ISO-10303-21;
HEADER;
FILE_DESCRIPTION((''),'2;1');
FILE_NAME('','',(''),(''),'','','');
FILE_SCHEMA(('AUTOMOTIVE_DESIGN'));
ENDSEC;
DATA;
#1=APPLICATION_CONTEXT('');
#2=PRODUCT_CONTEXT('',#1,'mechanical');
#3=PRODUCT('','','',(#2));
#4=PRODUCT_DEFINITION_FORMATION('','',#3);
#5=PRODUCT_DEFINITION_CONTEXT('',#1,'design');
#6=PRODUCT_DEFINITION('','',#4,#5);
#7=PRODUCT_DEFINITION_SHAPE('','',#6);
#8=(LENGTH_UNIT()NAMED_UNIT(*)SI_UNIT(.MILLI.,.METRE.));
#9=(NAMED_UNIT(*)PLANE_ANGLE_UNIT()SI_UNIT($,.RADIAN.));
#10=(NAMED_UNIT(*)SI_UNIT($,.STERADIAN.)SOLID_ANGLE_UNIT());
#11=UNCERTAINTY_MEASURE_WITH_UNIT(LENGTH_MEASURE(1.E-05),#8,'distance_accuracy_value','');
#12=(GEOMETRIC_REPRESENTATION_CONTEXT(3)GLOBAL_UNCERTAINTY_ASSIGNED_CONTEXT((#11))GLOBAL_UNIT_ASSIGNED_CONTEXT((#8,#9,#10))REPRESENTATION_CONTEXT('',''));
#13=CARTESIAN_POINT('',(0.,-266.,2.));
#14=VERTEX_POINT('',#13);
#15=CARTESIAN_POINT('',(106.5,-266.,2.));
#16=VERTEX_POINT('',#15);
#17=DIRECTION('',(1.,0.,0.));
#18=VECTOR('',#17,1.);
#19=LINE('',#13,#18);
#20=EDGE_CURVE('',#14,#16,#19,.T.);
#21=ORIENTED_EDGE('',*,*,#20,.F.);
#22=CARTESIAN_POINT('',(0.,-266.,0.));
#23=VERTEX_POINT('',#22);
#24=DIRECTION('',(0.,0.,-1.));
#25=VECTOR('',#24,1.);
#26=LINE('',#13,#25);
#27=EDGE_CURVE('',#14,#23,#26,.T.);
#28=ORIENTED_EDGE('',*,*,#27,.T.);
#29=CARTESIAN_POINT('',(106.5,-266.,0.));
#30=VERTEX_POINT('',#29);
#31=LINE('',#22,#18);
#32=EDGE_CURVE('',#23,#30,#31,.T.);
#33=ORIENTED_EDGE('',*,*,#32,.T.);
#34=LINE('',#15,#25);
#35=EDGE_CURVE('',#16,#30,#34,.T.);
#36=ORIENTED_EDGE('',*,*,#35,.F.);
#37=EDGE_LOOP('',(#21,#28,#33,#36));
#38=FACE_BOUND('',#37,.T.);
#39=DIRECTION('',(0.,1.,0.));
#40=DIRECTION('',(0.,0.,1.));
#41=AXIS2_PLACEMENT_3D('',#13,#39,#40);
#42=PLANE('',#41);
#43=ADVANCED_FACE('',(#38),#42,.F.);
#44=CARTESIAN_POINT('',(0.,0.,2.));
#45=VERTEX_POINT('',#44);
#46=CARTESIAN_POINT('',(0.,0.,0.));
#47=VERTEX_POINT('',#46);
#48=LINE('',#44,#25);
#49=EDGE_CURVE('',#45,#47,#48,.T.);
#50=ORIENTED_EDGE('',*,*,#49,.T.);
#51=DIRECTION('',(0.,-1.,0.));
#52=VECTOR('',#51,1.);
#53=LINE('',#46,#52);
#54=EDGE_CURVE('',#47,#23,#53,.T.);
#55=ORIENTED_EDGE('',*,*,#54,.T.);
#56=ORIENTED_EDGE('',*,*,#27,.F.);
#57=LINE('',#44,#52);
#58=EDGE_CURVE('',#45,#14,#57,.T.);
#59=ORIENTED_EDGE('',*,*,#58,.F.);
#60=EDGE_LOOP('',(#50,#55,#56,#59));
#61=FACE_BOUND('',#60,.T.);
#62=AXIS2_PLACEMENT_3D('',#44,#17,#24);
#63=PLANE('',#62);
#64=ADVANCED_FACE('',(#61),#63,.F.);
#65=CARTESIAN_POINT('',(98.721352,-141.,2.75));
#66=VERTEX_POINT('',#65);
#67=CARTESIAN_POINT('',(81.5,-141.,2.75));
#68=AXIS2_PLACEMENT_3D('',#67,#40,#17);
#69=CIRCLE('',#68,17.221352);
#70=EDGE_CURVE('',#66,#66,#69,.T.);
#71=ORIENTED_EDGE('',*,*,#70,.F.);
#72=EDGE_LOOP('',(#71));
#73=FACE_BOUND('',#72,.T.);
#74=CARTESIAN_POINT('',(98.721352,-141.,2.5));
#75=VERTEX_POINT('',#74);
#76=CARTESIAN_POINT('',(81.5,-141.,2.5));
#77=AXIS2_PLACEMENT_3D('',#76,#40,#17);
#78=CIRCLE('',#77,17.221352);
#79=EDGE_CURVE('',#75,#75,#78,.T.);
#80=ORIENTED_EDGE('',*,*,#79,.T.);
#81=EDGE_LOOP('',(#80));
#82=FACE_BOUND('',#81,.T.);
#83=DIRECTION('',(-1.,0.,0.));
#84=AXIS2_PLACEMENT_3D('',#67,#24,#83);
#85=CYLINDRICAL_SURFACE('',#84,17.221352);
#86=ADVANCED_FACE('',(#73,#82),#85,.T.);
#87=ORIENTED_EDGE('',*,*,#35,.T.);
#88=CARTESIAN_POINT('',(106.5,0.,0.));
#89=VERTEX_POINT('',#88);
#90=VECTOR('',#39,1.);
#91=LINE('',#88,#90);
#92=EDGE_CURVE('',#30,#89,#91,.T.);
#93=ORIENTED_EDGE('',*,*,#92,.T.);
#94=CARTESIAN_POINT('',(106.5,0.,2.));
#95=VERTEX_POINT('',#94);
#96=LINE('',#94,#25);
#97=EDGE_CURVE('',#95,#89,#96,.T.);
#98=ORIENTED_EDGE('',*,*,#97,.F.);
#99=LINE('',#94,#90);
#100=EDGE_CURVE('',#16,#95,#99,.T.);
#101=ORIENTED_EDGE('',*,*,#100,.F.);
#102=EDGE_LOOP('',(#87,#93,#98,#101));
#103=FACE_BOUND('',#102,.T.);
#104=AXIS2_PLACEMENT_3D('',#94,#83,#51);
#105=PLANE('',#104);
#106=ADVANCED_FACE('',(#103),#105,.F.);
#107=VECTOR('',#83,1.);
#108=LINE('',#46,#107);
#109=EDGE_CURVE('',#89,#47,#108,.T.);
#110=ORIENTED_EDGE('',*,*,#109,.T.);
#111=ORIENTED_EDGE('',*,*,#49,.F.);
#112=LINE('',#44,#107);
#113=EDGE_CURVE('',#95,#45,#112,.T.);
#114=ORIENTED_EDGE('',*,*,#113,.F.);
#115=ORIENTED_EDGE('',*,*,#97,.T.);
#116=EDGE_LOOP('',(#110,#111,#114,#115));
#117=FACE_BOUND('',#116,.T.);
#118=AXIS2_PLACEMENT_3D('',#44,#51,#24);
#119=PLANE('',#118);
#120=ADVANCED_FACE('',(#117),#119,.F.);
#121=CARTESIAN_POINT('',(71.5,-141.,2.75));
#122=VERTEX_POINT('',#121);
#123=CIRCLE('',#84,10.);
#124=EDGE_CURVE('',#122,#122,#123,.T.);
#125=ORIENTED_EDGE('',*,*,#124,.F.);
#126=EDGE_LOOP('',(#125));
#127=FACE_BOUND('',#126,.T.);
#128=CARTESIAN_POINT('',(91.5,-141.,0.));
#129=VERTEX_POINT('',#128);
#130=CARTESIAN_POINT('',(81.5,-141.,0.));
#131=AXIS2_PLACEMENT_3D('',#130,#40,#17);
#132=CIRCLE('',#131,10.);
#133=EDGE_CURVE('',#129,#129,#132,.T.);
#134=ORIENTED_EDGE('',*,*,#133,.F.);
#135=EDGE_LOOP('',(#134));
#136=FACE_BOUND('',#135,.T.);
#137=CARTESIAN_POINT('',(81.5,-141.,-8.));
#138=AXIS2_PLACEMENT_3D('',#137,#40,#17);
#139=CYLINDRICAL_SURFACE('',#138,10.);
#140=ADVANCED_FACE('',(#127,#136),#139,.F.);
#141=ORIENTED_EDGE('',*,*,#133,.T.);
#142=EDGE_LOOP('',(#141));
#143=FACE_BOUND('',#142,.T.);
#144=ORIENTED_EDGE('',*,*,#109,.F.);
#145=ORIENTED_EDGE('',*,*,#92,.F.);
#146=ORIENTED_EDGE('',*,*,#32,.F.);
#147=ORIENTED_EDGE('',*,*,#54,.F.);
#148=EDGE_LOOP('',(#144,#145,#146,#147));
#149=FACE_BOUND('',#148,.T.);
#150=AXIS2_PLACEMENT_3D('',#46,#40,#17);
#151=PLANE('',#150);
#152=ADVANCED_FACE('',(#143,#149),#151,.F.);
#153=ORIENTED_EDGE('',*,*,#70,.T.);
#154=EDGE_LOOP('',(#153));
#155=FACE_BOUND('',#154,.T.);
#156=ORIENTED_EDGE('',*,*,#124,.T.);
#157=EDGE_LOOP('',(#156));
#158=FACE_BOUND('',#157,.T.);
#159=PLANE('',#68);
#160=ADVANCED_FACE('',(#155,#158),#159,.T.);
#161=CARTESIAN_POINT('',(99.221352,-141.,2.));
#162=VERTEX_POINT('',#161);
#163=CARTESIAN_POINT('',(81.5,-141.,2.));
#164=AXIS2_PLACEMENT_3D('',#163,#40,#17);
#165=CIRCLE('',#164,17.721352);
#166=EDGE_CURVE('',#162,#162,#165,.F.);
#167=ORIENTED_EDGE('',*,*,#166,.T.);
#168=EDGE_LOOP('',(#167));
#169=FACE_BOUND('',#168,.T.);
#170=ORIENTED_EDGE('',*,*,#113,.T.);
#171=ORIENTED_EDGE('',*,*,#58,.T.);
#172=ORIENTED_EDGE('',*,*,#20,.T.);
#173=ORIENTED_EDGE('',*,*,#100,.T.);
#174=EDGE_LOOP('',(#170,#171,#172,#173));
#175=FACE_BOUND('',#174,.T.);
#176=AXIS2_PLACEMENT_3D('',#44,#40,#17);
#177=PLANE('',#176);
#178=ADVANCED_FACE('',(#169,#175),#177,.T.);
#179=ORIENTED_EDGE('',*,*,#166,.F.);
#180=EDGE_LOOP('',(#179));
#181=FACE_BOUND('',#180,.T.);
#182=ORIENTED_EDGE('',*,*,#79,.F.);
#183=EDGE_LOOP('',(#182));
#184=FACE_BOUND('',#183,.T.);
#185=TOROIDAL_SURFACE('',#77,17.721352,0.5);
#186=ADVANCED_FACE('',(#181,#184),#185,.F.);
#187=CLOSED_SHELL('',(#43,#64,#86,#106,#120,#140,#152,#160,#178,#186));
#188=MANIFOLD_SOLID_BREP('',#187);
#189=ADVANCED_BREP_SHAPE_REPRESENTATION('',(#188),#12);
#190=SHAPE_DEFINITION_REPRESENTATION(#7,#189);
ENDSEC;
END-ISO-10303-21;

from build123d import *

# Parameters (mm, degrees)
SKETCH1_W           = 106.5
SKETCH1_H           = 266
BOSS_EXTRUDE1_DEPTH = 2
SKETCH2_R           = 10
CUT_EXTRUDE1_DEPTH  = 10
SKETCH5_R           = 17.221351736
BOSS_EXTRUDE3_DEPTH = 0.75
FILLET2_R           = 0.5
CUT_EXTRUDE3_START  = -0.75
SKETCH6_R           = 10
CUT_EXTRUDE3_DEPTH  = 0.75


with BuildPart() as part:
    # Sketch1 → Boss-Extrude1 (new body)
    with BuildSketch(Plane.XY):
        with Locations((53.25, -133)):
            Rectangle(SKETCH1_W, SKETCH1_H)
    extrude(amount=BOSS_EXTRUDE1_DEPTH)

    # Sketch2 → Cut-Extrude1 (cut)
    with BuildSketch(Plane.XY.offset(2)):
        with Locations((81.5, -141)):
            Circle(SKETCH2_R)
    extrude(amount=-CUT_EXTRUDE1_DEPTH, mode=Mode.SUBTRACT)

    # Sketch5 → Boss-Extrude3 (add)
    with BuildSketch(Plane.XY.offset(2)):
        with Locations((81.5, -141)):
            Circle(SKETCH5_R)
    extrude(amount=BOSS_EXTRUDE3_DEPTH)

    # Fillet2
    fillet2_edges = [part.edges().sort_by_distance(p)[0] for p in [
        (64.278648264, -141, 2),
    ]]
    fillet(fillet2_edges, radius=FILLET2_R)

    # Sketch6 → Cut-Extrude3 (cut)
    with BuildSketch(Plane(origin=(0, 0, 2), x_dir=(-1, 0, 0), z_dir=(0, 0, -1)).offset(CUT_EXTRUDE3_START)):
        with Locations(Location((-81.5, -141, 0), (0, 0, 180))):
            Circle(SKETCH6_R)
    extrude(amount=CUT_EXTRUDE3_DEPTH, mode=Mode.SUBTRACT)


solid = part.part
